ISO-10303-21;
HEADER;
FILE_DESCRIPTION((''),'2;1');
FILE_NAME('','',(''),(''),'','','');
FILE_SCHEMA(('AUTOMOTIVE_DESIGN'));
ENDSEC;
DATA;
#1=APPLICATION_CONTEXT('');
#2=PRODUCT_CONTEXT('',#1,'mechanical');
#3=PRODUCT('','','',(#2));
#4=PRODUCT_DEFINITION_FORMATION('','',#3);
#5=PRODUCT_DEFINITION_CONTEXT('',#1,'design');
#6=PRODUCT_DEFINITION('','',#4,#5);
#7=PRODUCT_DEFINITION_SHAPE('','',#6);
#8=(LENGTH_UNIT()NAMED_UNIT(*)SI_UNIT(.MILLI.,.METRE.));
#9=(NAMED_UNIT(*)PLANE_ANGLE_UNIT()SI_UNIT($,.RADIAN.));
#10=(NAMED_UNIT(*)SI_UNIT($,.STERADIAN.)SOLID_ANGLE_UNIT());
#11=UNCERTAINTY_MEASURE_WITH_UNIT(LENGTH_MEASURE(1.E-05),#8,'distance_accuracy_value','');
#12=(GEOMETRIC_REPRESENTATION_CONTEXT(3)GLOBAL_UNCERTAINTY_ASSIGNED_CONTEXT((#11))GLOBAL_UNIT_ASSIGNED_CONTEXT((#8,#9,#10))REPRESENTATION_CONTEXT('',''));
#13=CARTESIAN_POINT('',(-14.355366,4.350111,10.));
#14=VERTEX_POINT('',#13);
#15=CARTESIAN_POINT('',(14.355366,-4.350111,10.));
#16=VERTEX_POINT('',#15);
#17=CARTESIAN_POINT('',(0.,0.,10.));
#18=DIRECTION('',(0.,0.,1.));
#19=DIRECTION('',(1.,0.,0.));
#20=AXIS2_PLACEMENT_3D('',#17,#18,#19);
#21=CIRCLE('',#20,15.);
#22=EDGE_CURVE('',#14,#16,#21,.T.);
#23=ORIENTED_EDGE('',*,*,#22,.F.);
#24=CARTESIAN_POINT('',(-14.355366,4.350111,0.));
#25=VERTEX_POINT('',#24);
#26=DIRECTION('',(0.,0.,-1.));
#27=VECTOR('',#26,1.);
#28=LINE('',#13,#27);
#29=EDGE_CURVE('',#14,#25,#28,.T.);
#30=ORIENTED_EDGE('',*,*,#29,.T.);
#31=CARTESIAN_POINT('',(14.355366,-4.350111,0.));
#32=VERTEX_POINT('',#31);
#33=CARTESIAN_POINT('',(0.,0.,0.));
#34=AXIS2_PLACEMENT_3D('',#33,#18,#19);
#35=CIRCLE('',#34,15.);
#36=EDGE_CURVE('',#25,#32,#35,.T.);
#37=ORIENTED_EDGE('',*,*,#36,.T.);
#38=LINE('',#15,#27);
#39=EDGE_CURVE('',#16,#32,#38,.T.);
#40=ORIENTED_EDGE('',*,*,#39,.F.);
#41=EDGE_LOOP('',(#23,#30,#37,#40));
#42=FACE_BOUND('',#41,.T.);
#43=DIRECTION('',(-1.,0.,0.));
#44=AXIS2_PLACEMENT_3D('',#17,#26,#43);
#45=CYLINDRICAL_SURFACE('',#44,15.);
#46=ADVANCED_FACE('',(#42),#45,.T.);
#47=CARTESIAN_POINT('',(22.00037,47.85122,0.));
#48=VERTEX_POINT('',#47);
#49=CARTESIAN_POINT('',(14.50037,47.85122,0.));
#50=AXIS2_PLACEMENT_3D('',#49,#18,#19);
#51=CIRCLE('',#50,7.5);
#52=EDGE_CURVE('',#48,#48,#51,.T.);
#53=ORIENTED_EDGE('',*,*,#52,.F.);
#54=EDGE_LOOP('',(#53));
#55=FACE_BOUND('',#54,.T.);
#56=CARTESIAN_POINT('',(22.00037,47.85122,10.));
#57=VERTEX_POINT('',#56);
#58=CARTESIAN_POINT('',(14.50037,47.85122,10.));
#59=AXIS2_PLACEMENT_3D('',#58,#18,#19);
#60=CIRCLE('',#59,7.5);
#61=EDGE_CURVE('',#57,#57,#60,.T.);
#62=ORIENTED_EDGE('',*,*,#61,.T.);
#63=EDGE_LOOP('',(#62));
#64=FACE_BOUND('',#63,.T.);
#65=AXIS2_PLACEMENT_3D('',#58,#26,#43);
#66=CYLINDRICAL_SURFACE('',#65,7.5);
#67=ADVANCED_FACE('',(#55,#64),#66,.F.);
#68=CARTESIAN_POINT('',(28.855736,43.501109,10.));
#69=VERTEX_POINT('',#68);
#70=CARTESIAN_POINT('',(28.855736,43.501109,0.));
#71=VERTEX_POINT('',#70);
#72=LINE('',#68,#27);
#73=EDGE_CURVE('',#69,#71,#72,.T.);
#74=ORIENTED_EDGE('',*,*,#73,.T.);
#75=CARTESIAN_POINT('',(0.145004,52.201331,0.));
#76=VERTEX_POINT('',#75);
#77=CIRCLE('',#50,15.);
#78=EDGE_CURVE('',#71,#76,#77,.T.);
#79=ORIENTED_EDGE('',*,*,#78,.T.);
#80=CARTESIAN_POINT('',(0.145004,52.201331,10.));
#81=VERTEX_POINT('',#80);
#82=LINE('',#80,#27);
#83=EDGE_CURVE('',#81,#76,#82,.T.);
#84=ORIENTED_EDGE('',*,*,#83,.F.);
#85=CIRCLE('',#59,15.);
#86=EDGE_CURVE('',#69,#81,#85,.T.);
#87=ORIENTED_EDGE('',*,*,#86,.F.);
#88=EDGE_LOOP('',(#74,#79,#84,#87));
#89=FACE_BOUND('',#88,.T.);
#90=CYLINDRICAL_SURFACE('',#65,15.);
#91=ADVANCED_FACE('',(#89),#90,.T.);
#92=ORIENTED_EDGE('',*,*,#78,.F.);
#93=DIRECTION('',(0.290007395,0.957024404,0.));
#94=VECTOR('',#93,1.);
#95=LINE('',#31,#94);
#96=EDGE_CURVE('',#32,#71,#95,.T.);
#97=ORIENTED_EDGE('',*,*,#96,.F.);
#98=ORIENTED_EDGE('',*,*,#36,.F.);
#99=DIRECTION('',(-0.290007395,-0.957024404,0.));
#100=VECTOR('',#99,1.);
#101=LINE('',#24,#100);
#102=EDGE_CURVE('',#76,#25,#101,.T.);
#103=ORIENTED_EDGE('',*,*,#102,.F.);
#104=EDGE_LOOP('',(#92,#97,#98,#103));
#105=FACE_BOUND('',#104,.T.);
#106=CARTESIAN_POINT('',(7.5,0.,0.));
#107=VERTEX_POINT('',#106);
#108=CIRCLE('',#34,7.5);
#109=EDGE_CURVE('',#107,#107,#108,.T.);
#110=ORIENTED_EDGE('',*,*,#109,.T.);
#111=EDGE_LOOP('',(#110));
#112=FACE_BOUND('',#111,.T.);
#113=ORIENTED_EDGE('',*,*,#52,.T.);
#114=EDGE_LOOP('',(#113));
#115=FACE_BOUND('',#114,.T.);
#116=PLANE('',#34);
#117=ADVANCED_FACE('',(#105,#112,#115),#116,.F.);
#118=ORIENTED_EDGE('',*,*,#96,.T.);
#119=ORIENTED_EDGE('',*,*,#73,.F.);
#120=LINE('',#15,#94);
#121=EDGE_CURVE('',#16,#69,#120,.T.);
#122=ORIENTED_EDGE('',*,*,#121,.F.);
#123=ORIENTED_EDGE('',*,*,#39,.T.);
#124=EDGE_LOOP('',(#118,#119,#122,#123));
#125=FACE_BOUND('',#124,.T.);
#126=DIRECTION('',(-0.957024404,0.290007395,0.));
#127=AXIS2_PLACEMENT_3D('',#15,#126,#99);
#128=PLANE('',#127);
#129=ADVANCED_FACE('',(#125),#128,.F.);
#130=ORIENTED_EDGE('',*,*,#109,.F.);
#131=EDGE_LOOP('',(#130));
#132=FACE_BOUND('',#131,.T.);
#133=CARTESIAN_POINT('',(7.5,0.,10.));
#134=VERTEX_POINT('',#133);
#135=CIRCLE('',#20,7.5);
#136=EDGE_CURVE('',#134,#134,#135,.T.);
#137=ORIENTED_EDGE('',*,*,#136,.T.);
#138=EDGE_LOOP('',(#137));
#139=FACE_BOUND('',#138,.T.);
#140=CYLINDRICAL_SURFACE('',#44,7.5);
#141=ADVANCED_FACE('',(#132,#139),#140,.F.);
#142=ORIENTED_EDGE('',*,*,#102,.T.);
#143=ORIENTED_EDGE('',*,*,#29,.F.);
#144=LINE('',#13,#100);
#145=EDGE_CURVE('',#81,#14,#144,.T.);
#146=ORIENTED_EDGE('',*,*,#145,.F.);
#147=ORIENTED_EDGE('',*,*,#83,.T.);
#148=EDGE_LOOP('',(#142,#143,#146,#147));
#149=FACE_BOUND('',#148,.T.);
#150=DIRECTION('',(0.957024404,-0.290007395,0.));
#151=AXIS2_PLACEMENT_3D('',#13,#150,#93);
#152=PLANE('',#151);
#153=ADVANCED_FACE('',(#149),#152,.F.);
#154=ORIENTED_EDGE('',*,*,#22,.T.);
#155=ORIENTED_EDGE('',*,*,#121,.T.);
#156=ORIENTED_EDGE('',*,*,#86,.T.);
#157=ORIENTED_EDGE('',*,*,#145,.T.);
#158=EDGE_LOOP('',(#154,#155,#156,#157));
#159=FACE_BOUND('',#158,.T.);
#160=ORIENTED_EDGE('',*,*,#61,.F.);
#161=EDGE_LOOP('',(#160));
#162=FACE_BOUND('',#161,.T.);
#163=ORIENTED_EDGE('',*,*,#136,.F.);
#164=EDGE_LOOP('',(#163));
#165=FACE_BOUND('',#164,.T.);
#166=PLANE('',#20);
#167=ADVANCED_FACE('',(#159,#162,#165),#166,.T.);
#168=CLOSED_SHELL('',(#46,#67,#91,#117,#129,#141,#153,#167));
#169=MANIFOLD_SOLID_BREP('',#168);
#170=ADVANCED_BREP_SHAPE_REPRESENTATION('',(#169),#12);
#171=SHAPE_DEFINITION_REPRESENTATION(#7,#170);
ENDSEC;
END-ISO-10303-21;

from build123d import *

# Parameters (mm, degrees)
SKETCH1_R           = 7.5
BOSS_EXTRUDE2_DEPTH = 10


with BuildPart() as part:
    # Sketch1 → Boss-Extrude2 (new body)
    with BuildSketch(Plane.XY):
        with BuildLine():
            Line((-14.355366067, 4.350110929), (0.145003698, 52.201331151))
            ThreePointArc((0.145003698, 52.201331151), (18.850480693, 62.206586288), (28.855735831, 43.501109292))
            Line((28.855735831, 43.501109292), (14.355366067, -4.350110929))
            ThreePointArc((14.355366067, -4.350110929), (-4.350110929, -14.355366067), (-14.355366067, 4.350110929))
        make_face()
        Circle(SKETCH1_R, mode=Mode.SUBTRACT)
        with Locations((14.500369764, 47.851220222)):
            Circle(SKETCH1_R, mode=Mode.SUBTRACT)
    extrude(amount=BOSS_EXTRUDE2_DEPTH)


solid = part.part
